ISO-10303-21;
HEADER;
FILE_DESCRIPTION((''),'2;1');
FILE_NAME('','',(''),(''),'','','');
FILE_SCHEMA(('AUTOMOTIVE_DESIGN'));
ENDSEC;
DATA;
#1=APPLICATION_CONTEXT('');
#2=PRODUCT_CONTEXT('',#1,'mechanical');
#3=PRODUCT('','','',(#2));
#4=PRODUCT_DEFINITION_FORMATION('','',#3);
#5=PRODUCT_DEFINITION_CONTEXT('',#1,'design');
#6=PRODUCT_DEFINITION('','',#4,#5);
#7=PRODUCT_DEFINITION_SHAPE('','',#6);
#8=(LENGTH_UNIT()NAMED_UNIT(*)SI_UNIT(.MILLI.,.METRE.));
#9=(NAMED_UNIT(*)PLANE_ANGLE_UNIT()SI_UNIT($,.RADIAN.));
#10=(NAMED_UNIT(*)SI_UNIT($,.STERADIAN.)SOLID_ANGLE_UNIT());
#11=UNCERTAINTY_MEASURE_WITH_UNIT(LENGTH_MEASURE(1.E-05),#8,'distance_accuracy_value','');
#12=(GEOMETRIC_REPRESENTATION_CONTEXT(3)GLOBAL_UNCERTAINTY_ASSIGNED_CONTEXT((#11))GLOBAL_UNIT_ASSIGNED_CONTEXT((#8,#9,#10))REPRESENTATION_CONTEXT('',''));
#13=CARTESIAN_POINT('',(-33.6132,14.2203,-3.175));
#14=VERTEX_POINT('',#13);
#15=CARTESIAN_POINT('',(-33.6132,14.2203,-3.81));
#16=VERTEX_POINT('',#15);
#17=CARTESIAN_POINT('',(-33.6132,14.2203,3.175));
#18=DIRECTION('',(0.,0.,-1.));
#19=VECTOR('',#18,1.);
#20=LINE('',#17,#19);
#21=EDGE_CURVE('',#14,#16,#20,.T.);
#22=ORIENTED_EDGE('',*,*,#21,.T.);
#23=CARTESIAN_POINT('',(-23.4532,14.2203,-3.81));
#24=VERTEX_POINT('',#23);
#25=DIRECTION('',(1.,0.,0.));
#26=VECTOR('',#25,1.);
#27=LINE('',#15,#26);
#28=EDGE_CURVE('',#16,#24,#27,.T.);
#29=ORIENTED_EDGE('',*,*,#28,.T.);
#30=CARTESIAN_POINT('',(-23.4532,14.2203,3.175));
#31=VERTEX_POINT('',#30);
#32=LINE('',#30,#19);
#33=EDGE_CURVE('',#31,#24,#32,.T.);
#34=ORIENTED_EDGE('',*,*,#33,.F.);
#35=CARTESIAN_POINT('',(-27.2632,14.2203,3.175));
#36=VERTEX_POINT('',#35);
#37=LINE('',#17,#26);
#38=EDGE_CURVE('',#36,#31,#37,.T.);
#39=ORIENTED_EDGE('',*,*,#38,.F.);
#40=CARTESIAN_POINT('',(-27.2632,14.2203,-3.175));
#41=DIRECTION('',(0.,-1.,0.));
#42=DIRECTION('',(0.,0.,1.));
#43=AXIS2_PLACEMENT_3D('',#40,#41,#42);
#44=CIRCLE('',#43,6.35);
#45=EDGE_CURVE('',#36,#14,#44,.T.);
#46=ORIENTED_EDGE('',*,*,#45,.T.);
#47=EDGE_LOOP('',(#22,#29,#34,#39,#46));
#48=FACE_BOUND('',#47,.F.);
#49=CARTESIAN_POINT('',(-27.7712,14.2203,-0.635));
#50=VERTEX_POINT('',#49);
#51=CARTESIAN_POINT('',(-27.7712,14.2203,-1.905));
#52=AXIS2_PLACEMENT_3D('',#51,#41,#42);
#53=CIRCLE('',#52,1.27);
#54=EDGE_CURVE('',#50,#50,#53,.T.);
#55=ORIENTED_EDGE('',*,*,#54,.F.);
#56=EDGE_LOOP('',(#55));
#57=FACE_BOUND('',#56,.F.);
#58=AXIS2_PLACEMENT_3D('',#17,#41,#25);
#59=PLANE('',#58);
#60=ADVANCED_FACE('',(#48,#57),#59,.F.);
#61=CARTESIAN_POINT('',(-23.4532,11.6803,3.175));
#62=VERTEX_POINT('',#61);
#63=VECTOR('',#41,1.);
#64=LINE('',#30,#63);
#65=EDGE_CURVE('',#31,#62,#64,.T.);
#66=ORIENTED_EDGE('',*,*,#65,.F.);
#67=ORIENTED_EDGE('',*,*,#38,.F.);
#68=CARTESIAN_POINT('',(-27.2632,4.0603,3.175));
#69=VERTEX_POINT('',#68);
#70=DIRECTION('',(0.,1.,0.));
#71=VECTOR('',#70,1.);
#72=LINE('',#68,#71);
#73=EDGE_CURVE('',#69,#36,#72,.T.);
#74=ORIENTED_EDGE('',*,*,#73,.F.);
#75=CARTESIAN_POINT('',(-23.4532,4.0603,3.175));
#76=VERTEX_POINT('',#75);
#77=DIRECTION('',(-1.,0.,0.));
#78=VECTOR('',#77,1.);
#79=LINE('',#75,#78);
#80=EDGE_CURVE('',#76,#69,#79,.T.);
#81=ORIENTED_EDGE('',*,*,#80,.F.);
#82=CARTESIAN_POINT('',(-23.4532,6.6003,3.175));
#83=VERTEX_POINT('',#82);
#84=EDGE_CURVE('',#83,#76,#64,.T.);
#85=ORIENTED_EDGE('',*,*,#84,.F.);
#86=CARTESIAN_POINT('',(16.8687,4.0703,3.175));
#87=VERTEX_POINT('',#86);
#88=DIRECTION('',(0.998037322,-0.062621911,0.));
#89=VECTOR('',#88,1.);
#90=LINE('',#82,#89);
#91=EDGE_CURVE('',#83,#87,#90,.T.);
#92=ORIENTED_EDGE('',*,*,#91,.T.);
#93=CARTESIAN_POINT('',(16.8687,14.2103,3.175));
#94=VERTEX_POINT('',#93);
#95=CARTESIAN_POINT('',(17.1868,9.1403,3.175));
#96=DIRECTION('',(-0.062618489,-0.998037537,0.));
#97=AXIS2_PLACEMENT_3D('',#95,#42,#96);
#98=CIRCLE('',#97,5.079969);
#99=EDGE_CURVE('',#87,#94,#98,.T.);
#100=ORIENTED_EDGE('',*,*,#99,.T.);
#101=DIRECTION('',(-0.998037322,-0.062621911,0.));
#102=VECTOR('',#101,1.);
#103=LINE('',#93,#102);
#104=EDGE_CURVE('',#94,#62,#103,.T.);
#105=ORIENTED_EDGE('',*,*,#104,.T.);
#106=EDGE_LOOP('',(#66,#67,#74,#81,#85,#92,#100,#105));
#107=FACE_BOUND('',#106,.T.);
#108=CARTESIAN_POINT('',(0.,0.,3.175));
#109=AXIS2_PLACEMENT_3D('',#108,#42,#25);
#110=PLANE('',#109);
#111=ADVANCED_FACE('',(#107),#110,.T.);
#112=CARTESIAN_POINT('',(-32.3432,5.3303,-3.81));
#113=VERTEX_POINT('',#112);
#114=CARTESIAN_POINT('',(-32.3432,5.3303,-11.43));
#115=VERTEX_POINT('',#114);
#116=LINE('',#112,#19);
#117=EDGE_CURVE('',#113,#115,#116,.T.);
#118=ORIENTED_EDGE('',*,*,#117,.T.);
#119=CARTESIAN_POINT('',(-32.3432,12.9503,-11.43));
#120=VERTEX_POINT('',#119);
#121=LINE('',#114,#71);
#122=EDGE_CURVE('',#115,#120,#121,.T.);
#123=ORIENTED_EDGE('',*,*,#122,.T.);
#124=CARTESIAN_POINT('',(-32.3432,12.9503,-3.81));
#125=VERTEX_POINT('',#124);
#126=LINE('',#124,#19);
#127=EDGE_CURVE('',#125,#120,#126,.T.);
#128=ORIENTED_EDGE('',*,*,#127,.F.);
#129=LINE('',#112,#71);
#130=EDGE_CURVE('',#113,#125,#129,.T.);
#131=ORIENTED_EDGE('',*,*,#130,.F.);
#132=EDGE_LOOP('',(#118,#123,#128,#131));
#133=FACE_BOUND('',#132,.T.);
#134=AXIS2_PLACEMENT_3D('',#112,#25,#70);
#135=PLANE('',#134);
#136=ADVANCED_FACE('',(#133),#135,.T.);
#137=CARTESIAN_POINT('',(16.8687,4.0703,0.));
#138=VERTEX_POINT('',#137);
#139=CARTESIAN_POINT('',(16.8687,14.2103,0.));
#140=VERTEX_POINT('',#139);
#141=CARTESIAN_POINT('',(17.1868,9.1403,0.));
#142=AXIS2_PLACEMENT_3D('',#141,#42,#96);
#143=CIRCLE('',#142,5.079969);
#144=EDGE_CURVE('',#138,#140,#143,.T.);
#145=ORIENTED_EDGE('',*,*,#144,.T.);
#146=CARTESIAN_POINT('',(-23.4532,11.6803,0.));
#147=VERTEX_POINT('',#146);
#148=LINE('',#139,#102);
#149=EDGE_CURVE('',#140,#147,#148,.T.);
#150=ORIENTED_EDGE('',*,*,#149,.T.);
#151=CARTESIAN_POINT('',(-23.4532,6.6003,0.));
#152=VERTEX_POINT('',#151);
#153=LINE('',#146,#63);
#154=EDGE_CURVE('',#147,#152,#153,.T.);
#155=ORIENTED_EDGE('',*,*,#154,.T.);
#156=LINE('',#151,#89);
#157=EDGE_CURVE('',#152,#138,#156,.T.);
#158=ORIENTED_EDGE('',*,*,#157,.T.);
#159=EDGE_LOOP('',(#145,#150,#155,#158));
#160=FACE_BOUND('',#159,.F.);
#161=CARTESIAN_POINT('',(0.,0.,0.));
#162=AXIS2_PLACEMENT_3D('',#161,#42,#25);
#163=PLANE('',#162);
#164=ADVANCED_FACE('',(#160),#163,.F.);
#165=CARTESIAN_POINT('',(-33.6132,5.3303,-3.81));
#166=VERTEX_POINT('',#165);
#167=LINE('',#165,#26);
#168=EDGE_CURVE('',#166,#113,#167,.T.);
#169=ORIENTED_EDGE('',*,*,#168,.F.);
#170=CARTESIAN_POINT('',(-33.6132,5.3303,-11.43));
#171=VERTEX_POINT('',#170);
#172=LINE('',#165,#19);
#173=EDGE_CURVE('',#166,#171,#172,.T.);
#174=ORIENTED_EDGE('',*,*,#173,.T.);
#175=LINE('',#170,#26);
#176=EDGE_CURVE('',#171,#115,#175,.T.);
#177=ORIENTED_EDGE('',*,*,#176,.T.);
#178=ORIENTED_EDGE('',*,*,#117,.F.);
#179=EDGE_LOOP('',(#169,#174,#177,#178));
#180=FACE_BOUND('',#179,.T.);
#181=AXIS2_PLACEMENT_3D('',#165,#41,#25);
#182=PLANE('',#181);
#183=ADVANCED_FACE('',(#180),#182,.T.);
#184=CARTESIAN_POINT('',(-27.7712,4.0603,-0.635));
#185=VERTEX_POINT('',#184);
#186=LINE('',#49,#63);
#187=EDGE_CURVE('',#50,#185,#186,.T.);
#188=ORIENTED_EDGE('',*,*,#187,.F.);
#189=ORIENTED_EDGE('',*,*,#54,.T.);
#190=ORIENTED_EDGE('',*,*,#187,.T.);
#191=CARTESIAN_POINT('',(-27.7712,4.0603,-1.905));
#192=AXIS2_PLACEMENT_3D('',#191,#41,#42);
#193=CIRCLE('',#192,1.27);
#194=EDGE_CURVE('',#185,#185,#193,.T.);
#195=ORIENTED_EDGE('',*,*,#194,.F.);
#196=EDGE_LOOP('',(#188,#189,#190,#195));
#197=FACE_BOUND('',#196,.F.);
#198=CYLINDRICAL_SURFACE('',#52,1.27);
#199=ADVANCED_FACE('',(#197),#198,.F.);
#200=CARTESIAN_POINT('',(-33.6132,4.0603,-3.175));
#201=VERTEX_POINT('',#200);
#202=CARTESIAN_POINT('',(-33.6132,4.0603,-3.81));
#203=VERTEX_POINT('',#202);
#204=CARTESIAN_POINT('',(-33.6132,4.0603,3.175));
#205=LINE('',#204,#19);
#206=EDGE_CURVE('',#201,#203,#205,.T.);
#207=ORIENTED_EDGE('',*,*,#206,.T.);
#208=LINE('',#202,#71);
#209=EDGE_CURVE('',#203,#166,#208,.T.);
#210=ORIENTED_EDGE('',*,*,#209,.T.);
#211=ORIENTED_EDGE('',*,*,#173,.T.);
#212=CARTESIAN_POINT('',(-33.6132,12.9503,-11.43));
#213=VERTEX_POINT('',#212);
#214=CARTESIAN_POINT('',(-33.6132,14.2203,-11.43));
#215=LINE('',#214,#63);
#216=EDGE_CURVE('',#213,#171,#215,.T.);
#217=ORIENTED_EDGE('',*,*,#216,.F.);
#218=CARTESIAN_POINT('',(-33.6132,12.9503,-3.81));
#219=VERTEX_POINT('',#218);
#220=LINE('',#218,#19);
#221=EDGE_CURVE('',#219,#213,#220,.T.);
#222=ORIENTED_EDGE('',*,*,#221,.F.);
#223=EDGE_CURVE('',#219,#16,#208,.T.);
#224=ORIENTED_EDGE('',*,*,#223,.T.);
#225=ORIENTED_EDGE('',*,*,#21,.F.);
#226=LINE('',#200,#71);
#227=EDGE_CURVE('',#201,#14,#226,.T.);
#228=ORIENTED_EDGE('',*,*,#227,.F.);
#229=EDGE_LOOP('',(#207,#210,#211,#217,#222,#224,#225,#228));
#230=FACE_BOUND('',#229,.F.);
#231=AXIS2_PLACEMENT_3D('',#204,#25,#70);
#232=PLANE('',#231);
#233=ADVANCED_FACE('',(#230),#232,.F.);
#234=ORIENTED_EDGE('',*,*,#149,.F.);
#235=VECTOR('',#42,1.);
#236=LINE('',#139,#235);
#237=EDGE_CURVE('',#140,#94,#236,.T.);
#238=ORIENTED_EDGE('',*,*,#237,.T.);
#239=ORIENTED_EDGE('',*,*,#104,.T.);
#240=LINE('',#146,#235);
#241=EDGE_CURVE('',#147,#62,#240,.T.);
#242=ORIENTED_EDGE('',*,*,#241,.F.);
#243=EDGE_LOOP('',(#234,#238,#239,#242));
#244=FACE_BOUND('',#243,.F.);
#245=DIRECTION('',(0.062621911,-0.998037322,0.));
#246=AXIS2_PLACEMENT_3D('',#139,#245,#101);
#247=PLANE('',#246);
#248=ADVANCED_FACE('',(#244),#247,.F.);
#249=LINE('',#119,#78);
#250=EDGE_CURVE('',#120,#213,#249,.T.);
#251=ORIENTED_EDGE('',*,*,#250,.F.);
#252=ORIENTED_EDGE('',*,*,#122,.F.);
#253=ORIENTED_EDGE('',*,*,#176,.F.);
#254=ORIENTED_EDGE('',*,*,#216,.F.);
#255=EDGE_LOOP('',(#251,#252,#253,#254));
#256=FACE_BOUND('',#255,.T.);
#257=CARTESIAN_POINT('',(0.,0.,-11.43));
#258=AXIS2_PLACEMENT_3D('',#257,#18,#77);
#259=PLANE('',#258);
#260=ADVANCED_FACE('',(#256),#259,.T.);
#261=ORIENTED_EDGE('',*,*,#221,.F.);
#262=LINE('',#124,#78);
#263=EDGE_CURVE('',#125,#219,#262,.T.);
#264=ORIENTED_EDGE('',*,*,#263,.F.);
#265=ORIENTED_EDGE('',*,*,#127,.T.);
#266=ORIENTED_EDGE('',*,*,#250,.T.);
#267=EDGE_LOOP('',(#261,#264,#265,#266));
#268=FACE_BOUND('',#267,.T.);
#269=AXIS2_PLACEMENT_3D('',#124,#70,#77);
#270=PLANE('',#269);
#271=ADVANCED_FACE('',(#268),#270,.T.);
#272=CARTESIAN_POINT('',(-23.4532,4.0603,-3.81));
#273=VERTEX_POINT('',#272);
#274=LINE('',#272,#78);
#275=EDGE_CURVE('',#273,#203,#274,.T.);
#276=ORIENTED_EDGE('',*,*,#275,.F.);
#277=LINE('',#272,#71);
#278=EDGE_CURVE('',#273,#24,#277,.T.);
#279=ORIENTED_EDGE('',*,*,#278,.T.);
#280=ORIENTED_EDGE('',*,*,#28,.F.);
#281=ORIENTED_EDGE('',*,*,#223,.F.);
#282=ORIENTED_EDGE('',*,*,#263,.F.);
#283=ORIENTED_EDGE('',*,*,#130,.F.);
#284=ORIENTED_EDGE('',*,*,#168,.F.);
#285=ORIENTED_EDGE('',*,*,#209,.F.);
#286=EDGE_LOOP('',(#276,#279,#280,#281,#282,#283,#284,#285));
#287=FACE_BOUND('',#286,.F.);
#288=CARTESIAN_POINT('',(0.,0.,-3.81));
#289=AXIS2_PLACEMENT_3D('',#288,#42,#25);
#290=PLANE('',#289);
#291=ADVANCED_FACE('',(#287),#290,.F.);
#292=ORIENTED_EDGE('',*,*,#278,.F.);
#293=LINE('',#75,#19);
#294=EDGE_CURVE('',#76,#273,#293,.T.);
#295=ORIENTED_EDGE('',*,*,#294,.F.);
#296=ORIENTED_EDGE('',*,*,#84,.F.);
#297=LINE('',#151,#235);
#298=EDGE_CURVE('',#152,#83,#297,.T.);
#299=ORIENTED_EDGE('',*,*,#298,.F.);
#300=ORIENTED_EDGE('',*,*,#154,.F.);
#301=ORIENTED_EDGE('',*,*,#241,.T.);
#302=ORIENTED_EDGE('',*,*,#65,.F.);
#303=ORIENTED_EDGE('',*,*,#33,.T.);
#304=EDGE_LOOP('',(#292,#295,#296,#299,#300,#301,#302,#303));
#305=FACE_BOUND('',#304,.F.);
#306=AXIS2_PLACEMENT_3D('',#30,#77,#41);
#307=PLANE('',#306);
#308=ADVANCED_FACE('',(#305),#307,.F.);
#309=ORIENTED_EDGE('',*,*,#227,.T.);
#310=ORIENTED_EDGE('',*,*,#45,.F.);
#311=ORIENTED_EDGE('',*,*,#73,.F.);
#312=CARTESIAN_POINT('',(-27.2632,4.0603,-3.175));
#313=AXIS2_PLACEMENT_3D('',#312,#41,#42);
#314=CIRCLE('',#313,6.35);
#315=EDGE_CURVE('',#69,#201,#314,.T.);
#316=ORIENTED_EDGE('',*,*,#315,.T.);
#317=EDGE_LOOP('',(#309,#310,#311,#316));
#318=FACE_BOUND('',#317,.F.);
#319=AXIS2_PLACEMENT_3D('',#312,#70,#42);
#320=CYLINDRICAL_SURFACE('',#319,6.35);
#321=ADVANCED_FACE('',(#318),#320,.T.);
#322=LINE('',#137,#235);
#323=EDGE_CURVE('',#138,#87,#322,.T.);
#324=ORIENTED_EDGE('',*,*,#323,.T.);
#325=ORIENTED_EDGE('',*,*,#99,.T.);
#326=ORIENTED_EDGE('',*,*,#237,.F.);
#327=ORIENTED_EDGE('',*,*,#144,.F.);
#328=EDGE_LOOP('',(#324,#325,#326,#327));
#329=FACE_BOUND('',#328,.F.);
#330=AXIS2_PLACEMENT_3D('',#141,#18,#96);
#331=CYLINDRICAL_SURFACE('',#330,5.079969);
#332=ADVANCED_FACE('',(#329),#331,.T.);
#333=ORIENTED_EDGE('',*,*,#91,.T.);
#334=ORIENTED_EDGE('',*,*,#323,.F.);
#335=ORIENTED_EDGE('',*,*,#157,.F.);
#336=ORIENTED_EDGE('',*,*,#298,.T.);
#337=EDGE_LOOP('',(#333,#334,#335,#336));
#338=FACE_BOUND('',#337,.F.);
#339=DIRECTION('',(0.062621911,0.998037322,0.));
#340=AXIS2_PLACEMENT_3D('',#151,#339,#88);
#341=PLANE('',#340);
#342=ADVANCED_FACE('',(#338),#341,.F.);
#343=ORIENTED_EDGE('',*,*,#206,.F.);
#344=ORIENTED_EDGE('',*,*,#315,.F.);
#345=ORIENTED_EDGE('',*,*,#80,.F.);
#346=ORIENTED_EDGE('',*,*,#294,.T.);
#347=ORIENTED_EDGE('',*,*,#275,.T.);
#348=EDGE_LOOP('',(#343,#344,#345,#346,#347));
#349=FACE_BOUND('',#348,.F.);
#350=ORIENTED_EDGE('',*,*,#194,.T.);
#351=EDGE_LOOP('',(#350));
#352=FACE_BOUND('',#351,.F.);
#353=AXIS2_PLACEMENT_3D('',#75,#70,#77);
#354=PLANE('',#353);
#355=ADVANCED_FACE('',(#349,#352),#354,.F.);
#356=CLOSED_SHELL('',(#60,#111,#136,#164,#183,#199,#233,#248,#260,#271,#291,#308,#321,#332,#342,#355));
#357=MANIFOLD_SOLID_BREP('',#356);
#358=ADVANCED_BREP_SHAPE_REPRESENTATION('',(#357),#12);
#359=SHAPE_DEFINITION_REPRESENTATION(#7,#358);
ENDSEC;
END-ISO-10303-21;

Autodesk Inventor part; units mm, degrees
ref_plane "YZ Plane" through (0, 0, 0) normal (1, 0, 0) x (0, 1, 0)
ref_plane "XZ Plane" through (0, 0, 0) normal (0, 1, 0) x (-1, 0, 0)
ref_plane "XY Plane" through (0, 0, 0) normal (0, 0, 1) x (1, 0, 0)
sketch "Sketch1" plane through (0, 0, 0) normal (0, 0, 1) x (1, 0, 0)
  line L0 (-23.4532, 11.6803) -> (-23.4532, 6.6003)
  line L1 (-23.4532, 6.6003) -> (16.8687, 4.0703)
  arc A0 (16.8687, 4.0703) -> (16.8687, 14.2103) centre (17.1868, 9.1403) ccw
  line L2 (16.8687, 14.2103) -> (-23.4532, 11.6803)
  line L3 (-5.5783, 9.1403) -> (17.1868, 9.1403) construction
  dimension "d0" = 5.08
  dimension "d1" = 40.64
  dimension "d2" = 5.08
extrude "Extrusion1" add sketch "Sketch1" along normal blind 3.175
sketch "Sketch2" plane through (0, 0, 3.175) normal (0, 0, 1) x (1, 0, 0)
  line L0 (-23.4532, 6.6003) -> (-23.4532, 11.6803) projected
  arc A0 (16.8687, 4.0703) -> (16.8687, 14.2103) centre (17.1868, 9.1403) ccw projected
  line L1 (-23.4532, 4.0603) -> (-33.6132, 4.0603)
  line L2 (-33.6132, 4.0603) -> (-33.6132, 14.2203)
  line L3 (-33.6132, 14.2203) -> (-23.4532, 14.2203)
  line L4 (-23.4532, 14.2203) -> (-23.4532, 4.0603)
  line L5 (17.1868, 9.1403) -> (-29.1497, 9.1403) construction
  dimension "d6" = 10.16
  dimension "d7" = 10.16
  dimension "d8" = 5.08
extrude "Extrusion2" add sketch "Sketch2" against normal blind 6.985
sketch "Sketch3" plane through (0, 0, -3.81) normal (0, 0, -1) x (-1, 0, 0)
  line L0 (33.6132, 14.2203) -> (33.6132, 4.0603) projected
  line L1 (32.3432, 12.9503) -> (33.6132, 12.9503)
  line L2 (33.6132, 12.9503) -> (33.6132, 5.3303)
  line L3 (33.6132, 5.3303) -> (32.3432, 5.3303)
  line L4 (32.3432, 5.3303) -> (32.3432, 12.9503)
  dimension "d11" = 1.27
  dimension "d12" = 7.62
  dimension "d13" = 1.27
extrude "Extrusion3" add sketch "Sketch3" along normal blind 7.62
fillet "Fillet1" radius 6.35 1 edges at (-33.6132, 9.1403, 3.175)
sketch "Sketch4" plane through (-33.6132, 14.2203, -3.81) normal (0, 1, 0) x (1, 0, 0)
  point P0 (10.16, 0)
  point P1 (5.842, -1.905)
  dimension "d17" = 4.318
  dimension "d18" = 1.905
hole "Hole1" at (-27.7712, 14.2203, -1.905) direction (0, -1, 0) diameter 2.54 end through all
properties part number "handle"
